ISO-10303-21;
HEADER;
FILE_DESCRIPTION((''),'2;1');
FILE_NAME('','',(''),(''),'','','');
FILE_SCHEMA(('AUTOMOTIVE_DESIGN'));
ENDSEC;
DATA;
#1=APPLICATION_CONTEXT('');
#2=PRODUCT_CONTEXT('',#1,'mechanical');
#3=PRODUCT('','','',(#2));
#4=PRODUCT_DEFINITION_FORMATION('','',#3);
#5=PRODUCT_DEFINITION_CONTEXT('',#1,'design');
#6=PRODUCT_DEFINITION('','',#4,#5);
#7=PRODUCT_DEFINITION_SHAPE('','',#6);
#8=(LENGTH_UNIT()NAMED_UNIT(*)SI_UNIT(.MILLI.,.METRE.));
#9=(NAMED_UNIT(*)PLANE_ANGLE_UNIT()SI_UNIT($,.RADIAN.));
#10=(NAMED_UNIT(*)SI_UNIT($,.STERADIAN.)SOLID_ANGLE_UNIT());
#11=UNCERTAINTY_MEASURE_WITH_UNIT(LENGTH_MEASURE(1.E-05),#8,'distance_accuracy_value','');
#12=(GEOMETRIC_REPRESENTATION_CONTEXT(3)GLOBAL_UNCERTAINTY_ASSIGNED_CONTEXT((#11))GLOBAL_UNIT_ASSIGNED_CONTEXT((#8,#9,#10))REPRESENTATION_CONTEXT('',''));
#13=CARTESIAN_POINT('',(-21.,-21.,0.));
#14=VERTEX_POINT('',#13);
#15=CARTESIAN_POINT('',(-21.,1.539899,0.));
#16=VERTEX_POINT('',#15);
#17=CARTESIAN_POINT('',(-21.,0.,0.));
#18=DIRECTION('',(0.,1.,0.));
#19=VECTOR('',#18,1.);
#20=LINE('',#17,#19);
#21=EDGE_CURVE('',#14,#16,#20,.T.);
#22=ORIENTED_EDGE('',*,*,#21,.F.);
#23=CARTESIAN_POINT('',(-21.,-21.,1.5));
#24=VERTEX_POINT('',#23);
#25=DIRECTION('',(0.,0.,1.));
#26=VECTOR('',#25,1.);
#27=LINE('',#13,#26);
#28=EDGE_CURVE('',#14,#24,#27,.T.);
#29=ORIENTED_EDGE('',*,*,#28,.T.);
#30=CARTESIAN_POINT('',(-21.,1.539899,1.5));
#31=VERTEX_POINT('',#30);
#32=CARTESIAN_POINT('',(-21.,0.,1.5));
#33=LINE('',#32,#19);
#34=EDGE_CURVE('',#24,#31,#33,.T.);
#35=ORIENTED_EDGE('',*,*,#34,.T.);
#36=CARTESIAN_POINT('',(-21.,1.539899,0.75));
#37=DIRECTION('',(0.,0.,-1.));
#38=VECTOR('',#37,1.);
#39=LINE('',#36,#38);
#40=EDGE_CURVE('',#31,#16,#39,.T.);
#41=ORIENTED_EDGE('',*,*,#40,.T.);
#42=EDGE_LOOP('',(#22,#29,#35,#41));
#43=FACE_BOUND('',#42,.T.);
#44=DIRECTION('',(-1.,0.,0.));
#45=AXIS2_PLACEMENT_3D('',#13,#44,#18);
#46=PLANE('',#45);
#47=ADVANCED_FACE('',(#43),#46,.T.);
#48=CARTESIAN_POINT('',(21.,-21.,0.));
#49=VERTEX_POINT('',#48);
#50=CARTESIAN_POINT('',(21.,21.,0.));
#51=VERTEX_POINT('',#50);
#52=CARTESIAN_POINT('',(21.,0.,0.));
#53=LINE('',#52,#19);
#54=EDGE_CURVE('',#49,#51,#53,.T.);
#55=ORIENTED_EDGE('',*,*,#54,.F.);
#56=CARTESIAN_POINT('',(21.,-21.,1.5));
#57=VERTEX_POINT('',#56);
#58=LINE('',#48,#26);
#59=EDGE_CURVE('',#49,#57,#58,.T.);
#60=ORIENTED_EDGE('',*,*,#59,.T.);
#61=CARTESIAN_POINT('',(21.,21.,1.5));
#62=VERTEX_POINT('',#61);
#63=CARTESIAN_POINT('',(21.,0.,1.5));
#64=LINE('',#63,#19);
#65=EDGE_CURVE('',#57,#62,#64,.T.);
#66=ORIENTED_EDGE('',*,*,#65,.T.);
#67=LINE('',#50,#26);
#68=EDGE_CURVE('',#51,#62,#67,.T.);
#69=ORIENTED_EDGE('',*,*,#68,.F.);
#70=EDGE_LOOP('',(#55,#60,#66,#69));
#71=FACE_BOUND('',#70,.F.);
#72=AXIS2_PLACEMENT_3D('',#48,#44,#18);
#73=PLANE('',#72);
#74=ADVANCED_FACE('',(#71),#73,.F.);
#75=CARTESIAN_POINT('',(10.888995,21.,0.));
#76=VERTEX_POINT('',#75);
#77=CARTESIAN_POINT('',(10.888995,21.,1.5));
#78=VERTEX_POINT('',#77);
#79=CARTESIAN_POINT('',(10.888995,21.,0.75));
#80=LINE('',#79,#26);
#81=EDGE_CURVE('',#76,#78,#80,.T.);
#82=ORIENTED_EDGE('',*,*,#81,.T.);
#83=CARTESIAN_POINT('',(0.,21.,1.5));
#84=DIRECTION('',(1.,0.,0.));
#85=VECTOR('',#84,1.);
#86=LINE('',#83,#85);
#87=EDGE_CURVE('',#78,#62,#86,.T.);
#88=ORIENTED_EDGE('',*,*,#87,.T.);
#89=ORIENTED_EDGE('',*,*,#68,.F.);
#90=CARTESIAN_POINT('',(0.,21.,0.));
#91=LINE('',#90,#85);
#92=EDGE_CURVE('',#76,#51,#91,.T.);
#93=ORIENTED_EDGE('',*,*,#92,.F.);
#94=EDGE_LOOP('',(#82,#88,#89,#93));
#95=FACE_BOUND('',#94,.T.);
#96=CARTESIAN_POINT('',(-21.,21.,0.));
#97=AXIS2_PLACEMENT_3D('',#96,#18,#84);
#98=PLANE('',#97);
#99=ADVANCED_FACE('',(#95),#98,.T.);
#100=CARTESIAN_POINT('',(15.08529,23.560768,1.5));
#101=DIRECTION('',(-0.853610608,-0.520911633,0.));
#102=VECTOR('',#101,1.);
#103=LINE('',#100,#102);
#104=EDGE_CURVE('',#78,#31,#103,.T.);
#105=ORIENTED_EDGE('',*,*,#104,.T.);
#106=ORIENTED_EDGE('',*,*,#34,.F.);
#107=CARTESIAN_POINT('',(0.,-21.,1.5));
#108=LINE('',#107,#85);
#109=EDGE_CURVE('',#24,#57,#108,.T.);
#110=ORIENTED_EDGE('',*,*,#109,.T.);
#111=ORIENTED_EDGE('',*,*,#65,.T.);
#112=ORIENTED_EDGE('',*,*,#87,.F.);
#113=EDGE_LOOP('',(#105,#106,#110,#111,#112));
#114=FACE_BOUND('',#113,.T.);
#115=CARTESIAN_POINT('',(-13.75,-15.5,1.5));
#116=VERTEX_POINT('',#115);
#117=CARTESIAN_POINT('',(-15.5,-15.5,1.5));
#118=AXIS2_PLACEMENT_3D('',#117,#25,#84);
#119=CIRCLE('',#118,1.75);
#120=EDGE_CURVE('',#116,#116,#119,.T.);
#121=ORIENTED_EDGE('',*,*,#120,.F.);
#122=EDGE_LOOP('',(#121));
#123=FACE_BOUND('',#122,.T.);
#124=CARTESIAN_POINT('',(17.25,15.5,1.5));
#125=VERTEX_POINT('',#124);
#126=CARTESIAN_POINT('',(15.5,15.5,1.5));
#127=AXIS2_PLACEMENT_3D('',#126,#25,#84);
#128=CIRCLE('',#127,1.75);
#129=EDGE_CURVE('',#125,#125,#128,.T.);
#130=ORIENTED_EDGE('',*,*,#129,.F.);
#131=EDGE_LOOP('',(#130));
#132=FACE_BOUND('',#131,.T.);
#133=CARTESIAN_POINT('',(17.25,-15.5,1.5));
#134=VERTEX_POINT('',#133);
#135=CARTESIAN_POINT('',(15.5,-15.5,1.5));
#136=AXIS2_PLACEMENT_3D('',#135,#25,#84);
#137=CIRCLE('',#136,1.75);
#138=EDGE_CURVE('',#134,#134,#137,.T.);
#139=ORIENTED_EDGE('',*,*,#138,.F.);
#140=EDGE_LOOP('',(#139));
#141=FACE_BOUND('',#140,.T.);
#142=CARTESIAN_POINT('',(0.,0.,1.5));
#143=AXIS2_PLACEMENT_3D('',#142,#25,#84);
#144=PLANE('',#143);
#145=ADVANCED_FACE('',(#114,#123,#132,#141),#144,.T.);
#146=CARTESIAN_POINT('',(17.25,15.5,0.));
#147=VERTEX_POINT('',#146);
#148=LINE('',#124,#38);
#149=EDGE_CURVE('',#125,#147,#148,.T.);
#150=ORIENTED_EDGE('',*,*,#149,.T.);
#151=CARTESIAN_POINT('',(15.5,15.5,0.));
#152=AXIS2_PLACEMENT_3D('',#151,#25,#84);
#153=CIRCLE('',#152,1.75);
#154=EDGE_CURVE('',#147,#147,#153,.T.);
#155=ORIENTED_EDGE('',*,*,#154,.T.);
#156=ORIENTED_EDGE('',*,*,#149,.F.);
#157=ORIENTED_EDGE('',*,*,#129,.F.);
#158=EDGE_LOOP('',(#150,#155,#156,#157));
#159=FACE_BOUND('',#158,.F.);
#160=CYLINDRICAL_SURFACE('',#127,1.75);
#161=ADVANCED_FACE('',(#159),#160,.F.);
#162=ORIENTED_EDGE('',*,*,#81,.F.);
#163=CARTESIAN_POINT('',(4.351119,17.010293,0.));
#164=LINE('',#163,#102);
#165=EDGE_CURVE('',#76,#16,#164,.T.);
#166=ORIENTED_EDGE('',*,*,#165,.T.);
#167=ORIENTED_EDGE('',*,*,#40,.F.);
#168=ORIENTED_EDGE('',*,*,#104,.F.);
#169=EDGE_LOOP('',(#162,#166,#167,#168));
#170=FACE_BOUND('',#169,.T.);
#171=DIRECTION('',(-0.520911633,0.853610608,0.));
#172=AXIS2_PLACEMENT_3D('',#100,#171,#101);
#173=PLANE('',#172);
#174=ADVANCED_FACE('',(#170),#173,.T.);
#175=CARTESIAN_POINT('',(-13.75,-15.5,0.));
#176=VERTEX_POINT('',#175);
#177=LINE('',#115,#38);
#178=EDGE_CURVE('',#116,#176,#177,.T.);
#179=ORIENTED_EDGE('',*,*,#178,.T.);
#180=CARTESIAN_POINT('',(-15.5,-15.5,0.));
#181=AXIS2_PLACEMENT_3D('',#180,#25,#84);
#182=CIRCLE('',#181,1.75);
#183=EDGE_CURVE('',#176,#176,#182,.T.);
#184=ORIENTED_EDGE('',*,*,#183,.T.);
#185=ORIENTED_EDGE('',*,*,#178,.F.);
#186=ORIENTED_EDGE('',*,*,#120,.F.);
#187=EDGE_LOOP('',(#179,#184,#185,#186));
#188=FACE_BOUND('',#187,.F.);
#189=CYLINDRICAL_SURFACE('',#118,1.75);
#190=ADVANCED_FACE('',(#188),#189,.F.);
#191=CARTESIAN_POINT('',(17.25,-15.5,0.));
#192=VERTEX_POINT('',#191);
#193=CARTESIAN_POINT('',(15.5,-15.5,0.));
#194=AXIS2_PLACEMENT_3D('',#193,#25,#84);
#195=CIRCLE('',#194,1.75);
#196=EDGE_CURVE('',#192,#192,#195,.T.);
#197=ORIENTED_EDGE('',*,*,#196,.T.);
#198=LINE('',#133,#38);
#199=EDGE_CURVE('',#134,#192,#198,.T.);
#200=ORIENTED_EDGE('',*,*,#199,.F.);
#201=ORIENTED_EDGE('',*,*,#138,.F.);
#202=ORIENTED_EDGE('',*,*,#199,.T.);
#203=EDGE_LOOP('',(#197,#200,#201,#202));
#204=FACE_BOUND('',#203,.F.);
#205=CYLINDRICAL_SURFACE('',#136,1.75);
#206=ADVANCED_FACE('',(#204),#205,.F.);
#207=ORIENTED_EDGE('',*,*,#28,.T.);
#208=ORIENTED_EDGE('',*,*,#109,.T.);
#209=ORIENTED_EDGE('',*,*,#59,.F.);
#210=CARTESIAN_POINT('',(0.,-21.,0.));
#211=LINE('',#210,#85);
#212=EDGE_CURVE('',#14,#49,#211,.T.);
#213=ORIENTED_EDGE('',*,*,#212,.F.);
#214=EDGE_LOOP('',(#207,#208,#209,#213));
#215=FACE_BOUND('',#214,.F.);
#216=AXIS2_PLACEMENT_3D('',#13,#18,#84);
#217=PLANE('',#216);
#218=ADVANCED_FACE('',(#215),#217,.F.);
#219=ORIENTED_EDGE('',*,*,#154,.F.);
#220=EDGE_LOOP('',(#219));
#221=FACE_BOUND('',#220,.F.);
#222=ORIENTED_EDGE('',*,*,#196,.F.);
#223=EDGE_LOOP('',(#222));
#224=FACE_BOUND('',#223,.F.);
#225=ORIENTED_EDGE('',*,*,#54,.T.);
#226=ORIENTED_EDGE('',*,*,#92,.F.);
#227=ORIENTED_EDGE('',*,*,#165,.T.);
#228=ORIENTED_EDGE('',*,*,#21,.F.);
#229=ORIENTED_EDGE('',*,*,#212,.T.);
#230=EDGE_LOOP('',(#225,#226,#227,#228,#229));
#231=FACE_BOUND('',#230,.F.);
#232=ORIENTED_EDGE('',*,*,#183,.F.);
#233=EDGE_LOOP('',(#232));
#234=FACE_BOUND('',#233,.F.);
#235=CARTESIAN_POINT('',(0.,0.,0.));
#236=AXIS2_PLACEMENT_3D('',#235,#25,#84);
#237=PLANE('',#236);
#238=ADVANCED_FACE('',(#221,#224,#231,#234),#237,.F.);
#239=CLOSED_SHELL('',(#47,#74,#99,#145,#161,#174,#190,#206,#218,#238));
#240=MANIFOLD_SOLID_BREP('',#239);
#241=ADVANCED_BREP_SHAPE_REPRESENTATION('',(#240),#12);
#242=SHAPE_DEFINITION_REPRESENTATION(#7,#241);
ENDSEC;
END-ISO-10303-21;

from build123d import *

# Parameters (mm, degrees)
SKETCH009_W     = 42
SKETCH009_H     = 42
PAD_DEPTH       = 1.5
POCKET_DEPTH    = 5
SKETCH010_R     = 1.75
POCKET001_DEPTH = 5


with BuildPart() as part:
    # Sketch009 → Pad (new body)
    with BuildSketch(Plane.XY):
        Rectangle(SKETCH009_W, SKETCH009_H)
    extrude(amount=PAD_DEPTH)

    # Sketch (on Face6 of Pad) → Pocket (cut)
    with BuildSketch(Plane.XY.offset(1.5)):
        Polygon((15.08529, 23.560768), (-32.782513, -5.650321), (-32.782513, 34.968018), align=None)
    extrude(amount=-POCKET_DEPTH, mode=Mode.SUBTRACT)

    # Sketch010 (on Face4 of Pocket) → Pocket001 (cut)
    with BuildSketch(Plane.XY.offset(1.5)):
        with Locations((-15.5, 15.5)):
            Circle(SKETCH010_R)
        with Locations((15.5, -15.5)):
            Circle(SKETCH010_R)
        with Locations((15.5, 15.5)):
            Circle(SKETCH010_R)
        with Locations((-15.5, -15.5)):
            Circle(SKETCH010_R)
    extrude(amount=-POCKET001_DEPTH, mode=Mode.SUBTRACT)


solid = part.part
